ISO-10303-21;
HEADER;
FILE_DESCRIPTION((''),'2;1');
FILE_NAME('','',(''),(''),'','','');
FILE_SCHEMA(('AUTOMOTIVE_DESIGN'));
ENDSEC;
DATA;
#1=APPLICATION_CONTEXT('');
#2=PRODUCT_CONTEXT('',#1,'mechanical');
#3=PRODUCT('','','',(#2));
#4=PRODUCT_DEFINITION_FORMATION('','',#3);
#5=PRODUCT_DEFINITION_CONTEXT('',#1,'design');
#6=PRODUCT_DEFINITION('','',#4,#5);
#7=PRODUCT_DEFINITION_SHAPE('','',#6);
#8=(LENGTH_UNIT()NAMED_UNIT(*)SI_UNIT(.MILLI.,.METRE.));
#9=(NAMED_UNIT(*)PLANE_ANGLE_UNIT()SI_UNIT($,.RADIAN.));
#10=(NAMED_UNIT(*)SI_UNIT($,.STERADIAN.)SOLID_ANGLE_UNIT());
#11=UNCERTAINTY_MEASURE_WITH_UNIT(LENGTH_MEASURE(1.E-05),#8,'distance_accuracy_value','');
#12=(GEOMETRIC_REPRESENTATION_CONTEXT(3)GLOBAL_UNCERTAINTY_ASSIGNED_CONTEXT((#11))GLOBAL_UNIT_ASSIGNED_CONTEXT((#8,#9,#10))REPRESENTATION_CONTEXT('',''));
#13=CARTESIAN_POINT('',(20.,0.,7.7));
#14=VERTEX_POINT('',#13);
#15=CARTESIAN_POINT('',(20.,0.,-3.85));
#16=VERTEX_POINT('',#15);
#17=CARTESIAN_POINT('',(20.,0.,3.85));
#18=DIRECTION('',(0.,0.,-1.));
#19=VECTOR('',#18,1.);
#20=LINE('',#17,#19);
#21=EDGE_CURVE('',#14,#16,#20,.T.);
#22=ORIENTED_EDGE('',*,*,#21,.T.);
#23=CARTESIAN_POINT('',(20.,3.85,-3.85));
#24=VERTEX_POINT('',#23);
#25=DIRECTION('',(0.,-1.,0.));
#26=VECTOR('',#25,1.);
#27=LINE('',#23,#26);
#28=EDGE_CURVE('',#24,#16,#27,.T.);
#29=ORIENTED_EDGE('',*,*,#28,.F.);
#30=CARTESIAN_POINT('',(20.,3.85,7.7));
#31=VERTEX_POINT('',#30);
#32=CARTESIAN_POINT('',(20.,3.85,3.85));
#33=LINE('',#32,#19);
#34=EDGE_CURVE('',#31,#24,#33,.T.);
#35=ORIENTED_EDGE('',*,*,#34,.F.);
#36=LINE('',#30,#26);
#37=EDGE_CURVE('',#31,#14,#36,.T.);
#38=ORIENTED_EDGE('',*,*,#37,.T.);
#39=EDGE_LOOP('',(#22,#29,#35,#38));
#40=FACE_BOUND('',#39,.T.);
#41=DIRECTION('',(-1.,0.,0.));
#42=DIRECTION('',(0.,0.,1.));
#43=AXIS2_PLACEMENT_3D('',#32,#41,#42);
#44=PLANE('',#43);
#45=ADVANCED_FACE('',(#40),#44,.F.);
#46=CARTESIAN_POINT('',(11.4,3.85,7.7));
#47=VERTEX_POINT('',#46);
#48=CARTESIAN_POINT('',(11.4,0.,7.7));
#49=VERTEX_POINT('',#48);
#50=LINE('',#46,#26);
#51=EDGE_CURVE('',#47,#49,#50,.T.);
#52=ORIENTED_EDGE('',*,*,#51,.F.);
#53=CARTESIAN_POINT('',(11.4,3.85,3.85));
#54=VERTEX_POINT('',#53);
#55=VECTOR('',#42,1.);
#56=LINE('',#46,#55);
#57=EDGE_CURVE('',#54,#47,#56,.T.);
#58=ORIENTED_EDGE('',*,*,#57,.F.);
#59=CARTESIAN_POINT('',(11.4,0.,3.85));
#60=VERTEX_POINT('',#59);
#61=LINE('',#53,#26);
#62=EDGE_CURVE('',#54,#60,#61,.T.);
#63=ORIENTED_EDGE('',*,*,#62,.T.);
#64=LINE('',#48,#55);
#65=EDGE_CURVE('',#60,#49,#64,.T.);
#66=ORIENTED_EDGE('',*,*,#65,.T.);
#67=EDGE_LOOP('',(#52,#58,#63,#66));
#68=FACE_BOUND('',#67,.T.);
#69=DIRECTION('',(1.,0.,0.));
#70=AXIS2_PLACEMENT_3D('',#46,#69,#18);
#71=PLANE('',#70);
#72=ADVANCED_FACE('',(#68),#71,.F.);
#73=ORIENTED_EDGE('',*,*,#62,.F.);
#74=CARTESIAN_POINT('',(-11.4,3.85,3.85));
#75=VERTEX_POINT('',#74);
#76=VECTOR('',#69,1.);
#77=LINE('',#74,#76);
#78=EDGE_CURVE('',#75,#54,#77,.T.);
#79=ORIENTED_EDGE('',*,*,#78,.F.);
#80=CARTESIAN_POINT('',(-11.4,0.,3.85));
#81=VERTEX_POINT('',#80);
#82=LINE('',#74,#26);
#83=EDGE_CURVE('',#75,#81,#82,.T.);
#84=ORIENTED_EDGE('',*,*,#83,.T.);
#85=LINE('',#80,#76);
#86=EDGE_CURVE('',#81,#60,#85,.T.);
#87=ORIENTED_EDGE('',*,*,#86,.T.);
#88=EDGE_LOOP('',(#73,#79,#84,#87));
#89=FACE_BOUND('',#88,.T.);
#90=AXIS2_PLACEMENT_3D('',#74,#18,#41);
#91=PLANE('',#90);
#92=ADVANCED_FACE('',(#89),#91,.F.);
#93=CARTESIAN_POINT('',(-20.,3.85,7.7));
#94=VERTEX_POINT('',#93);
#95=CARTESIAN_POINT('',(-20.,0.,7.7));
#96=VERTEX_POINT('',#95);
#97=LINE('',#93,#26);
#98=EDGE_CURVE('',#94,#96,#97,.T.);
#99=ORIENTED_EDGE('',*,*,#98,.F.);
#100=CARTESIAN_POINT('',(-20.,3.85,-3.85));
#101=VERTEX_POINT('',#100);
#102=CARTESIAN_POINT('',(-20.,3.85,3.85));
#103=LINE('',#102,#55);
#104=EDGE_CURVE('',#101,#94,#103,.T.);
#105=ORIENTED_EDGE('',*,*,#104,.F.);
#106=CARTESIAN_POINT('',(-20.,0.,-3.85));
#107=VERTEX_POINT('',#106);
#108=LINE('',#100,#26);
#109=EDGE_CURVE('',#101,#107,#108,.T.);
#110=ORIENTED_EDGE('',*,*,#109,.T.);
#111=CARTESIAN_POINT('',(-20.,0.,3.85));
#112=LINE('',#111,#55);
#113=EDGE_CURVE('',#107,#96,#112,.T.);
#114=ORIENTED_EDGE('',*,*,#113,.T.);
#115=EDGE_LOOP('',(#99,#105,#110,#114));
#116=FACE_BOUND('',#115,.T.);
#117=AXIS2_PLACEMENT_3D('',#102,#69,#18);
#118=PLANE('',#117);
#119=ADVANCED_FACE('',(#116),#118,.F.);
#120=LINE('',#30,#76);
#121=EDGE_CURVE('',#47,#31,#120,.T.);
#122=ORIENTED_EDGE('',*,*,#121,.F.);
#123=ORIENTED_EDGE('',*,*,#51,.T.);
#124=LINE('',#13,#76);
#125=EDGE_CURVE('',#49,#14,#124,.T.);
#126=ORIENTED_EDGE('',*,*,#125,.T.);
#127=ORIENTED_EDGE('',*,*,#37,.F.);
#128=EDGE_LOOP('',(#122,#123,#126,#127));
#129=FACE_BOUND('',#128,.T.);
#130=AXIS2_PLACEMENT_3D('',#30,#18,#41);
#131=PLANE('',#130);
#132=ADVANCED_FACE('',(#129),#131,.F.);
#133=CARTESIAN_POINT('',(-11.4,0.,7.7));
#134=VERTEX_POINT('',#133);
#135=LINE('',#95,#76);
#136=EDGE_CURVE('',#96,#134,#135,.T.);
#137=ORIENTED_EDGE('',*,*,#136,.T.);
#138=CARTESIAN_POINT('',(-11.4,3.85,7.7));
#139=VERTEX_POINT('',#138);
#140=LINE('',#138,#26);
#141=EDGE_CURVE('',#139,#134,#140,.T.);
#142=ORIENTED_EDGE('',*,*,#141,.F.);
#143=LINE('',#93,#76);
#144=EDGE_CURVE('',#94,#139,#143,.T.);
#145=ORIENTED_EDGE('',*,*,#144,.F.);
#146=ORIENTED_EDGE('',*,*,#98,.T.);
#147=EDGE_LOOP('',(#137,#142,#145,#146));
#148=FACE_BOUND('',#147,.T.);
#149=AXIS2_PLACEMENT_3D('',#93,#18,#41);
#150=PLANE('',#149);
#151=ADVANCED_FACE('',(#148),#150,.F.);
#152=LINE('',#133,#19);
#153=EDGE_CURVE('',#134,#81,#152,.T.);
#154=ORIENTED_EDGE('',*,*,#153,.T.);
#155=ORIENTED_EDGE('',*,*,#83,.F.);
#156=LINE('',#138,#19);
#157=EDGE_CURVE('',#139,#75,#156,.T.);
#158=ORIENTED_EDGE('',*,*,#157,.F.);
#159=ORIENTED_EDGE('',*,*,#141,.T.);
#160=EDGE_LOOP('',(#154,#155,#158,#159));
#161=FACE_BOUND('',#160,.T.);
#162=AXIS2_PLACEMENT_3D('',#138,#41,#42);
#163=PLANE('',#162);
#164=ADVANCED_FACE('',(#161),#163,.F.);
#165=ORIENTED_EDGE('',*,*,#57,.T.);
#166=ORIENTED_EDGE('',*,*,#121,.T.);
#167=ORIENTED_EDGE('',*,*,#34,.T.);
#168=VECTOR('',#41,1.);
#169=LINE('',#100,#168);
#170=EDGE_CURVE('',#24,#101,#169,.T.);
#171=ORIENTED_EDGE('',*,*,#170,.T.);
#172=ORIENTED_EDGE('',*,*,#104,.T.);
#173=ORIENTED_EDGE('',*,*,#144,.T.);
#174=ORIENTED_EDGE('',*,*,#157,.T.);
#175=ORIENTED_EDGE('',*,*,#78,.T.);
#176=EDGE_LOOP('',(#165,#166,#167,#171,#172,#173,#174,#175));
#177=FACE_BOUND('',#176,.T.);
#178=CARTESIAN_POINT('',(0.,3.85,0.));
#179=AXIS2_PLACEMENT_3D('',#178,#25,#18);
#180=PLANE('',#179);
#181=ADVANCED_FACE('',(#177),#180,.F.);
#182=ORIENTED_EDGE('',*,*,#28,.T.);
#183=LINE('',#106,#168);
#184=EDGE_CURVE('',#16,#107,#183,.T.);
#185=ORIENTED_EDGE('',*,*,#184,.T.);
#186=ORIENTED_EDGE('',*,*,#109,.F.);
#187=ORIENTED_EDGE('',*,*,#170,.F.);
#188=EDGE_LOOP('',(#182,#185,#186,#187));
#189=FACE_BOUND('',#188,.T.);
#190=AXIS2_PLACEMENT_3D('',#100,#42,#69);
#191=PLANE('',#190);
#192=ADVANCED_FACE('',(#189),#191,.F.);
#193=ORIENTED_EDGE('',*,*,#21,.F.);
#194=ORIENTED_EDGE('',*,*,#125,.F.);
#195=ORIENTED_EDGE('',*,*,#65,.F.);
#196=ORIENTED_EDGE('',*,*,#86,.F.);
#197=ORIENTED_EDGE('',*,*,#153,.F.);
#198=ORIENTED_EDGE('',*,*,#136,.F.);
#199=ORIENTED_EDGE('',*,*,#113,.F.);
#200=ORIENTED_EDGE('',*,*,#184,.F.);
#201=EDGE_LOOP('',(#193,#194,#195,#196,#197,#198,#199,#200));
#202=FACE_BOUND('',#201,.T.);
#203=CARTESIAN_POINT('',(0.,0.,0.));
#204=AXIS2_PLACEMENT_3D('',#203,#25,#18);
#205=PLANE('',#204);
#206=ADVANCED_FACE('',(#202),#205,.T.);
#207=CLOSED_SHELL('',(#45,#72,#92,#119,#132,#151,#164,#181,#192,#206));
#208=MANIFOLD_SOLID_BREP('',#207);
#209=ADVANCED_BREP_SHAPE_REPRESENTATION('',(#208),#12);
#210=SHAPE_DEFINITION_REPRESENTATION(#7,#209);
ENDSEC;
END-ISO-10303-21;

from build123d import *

# Parameters (mm, degrees)
BOSS_EXTRUDE1_DEPTH = 3.85


with BuildPart() as part:
    # Sketch1 → Boss-Extrude1 (new body)
    with BuildSketch(Plane(origin=(0, 0, 0), x_dir=(1, 0, 0), z_dir=(0, 1, 0))):
        Polygon((-20, -3.85), (-20, -7.7), (-11.4, -7.7), (-11.4, -3.85), (11.4, -3.85), (11.4, -7.7), (20, -7.7), (20, -3.85), (20, 3.85), (-20, 3.85), align=None)
    extrude(amount=BOSS_EXTRUDE1_DEPTH)


solid = part.part
